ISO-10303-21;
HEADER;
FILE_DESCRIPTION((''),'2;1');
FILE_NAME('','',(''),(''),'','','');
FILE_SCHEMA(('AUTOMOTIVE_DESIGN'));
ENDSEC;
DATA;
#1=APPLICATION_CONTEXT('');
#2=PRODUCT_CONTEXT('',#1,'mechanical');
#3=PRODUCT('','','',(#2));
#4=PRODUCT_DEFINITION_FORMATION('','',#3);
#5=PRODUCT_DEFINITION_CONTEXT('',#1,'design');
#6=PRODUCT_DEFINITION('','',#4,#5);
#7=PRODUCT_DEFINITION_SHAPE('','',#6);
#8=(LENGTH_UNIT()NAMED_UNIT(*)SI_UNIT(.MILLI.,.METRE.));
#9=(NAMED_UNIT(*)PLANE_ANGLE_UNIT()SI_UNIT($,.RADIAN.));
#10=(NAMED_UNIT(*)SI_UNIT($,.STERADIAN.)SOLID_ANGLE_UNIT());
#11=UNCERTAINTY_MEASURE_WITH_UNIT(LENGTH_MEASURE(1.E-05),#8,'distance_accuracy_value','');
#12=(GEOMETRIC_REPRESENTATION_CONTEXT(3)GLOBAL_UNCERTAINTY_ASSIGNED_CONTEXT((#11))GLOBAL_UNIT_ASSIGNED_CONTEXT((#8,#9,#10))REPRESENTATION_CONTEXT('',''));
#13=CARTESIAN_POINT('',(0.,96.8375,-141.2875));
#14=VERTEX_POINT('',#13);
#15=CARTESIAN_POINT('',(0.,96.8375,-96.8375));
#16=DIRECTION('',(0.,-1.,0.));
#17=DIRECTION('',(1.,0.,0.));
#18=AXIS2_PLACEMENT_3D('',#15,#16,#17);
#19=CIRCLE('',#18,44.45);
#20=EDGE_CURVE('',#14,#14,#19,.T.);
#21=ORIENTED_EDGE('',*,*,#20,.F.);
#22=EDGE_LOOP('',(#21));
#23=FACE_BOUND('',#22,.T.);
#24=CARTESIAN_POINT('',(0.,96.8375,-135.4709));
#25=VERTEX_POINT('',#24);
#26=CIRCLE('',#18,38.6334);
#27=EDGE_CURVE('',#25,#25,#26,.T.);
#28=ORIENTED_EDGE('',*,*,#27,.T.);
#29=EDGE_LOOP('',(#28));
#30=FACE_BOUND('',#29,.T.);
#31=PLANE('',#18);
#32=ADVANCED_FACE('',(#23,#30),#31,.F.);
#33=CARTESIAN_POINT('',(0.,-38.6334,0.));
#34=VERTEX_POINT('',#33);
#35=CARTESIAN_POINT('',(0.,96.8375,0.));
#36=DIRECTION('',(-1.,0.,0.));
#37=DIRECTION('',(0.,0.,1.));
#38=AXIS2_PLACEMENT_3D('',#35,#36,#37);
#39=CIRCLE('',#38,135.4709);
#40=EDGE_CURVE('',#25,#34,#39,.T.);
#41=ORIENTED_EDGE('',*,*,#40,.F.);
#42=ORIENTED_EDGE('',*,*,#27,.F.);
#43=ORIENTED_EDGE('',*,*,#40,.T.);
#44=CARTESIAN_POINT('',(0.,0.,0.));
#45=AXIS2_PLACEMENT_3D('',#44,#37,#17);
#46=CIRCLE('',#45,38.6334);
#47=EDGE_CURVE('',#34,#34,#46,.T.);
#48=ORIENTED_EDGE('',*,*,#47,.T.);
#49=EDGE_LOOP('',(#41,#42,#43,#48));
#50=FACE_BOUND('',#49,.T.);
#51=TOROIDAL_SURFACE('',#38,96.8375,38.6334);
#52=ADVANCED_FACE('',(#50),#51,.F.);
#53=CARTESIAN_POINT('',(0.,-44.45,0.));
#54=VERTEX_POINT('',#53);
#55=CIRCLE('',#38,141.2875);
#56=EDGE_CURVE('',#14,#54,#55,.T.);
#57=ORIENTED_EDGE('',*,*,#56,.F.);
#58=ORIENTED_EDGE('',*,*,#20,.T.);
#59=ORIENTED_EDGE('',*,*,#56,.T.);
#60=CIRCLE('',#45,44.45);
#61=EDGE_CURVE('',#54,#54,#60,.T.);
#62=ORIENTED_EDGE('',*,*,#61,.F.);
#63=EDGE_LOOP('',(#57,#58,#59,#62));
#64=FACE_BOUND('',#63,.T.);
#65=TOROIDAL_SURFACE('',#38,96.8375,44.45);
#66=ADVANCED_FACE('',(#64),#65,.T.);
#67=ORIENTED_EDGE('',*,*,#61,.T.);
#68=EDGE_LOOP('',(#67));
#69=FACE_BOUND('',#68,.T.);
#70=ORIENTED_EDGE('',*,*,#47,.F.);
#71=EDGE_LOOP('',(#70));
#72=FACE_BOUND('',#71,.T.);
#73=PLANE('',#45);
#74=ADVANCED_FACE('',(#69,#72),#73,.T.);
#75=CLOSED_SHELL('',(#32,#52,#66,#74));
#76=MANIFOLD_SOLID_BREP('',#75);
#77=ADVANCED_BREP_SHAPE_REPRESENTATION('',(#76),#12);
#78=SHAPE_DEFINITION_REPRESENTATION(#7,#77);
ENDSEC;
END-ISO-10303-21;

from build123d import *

# Parameters (mm, degrees)
SKETCH1_R      = 44.45
SKETCH1_R_2    = 38.6334
REVOLVE1_ANGLE = 90


with BuildPart() as part:
    # Sketch1 → Revolve1 (revolve)
    with BuildSketch(Plane.XY):
        Circle(SKETCH1_R)
        Circle(SKETCH1_R_2, mode=Mode.SUBTRACT)
    revolve(axis=Axis((-75.138171246, 96.8375, 0), (1, 0, 0)), revolution_arc=REVOLVE1_ANGLE)


solid = part.part
